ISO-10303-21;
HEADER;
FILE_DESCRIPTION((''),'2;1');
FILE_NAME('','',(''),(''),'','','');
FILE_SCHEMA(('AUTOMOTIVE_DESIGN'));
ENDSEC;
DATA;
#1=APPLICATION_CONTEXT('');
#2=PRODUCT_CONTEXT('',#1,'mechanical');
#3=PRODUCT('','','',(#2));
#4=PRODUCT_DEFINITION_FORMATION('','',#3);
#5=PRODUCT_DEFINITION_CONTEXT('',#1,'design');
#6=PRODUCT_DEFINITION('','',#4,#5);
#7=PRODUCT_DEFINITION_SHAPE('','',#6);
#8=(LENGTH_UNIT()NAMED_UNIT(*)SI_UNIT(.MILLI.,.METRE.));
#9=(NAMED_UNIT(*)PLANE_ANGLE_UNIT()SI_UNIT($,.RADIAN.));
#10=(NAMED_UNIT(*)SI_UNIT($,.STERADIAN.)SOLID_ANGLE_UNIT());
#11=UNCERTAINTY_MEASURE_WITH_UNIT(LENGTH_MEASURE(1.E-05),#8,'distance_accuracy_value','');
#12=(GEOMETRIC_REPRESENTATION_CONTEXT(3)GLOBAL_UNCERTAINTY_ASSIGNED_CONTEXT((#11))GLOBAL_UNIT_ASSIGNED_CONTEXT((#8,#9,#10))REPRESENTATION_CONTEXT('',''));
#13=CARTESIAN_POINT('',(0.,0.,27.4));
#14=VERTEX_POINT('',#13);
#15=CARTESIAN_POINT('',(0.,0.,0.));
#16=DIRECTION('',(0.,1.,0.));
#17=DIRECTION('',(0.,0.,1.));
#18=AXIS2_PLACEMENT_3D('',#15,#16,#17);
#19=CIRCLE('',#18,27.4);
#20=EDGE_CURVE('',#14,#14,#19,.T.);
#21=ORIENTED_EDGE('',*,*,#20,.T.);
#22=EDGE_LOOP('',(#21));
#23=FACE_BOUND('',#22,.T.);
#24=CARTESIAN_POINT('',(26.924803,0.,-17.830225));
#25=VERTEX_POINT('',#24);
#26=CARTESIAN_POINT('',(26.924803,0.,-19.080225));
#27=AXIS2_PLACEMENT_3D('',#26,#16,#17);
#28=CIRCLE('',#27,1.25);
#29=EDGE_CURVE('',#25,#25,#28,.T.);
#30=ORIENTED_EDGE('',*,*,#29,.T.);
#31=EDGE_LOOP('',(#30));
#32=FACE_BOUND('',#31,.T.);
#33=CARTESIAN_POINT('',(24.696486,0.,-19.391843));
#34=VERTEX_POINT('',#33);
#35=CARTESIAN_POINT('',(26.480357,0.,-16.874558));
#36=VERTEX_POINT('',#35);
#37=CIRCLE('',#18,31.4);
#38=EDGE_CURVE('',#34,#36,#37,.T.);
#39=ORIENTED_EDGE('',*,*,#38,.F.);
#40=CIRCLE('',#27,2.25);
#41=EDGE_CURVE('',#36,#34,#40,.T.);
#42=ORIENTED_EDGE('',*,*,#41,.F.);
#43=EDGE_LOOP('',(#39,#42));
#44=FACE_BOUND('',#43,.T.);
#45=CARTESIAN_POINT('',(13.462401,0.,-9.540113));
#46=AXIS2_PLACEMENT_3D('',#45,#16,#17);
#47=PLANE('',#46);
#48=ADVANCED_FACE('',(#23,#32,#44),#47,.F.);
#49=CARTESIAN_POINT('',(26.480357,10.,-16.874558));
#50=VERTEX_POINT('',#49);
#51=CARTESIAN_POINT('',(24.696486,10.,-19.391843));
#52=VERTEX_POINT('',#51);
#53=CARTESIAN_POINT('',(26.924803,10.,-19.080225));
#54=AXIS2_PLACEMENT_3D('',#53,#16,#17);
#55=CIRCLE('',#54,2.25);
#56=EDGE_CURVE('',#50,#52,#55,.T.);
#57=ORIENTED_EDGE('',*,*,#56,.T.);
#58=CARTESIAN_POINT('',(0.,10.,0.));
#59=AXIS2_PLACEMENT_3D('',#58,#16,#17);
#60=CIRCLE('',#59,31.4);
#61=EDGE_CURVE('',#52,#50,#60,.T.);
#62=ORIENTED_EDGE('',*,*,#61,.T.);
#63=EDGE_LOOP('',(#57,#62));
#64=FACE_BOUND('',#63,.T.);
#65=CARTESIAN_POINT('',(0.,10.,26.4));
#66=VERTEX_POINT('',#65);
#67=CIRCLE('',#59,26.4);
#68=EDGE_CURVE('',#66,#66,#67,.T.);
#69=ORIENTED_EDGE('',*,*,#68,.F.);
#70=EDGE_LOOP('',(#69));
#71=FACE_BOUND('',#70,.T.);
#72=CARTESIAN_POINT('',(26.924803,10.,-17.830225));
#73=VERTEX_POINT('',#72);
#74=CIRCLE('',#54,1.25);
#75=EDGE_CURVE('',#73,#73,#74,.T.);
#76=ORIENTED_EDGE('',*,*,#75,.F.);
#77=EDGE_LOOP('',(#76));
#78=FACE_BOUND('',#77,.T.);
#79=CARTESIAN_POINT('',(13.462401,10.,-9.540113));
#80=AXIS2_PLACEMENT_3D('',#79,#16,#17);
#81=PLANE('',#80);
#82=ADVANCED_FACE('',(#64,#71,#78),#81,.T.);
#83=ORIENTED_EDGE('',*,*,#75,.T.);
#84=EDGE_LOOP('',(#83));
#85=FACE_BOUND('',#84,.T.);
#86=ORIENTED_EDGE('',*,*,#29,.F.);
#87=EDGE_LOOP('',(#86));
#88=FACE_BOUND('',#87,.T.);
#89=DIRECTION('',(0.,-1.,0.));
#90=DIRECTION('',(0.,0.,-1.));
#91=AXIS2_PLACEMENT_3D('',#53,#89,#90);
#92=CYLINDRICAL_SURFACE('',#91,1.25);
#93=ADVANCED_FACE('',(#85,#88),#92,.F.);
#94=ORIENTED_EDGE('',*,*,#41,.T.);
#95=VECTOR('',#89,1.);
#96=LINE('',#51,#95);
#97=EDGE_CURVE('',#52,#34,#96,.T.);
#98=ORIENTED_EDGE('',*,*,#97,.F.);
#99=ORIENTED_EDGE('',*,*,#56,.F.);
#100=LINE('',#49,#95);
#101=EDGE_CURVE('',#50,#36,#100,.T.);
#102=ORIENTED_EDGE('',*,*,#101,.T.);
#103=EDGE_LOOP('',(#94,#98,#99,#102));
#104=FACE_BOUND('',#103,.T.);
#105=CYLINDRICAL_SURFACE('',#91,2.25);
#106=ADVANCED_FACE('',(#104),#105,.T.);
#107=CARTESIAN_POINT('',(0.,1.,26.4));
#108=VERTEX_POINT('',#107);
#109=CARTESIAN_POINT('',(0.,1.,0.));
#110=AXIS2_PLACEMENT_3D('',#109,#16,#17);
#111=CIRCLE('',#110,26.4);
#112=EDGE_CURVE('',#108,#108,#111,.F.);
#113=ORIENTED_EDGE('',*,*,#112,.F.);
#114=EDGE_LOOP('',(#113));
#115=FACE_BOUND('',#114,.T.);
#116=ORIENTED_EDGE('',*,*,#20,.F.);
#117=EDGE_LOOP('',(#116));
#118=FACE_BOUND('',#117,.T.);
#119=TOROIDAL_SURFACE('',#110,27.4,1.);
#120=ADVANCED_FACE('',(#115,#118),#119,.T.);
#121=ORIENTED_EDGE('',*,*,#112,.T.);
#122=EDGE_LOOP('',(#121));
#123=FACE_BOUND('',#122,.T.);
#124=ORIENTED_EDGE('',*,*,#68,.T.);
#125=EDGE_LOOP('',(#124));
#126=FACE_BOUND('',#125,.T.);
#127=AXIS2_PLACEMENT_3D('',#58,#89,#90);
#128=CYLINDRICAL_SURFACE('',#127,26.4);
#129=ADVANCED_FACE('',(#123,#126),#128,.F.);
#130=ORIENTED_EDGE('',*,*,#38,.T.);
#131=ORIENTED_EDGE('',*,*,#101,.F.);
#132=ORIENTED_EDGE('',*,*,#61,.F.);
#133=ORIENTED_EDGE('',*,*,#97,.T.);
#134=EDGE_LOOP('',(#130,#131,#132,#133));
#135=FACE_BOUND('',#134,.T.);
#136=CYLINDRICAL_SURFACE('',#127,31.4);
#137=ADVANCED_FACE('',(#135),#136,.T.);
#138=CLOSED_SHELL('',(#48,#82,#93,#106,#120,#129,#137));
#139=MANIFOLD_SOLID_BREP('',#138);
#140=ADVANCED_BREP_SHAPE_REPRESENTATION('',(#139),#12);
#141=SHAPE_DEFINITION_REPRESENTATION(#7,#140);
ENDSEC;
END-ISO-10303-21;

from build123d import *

# Parameters (mm, degrees)
SKETCH_1_R      = 26.4
SKETCH_1_R_2    = 1.25
EXTRUDE_1_DEPTH = 10
FILLET_1_R      = 1


with BuildPart() as part:
    # 草图1 → 凸台-拉伸1 (new body)
    with BuildSketch(Plane(origin=(0, 0, 0), x_dir=(1, 0, 0), z_dir=(0, 1, 0))):
        with BuildLine():
            ThreePointArc((24.696486218, 19.391842834), (-25.619357757, -18.155123468), (26.480356643, 16.87455813))
            ThreePointArc((26.480356643, 16.87455813), (28.760584743, 20.381149753), (24.696486218, 19.391842834))
        make_face()
        with Locations(Location((0, 0, 0), (0, 0, 270))):
            Circle(SKETCH_1_R, mode=Mode.SUBTRACT)
        with Locations(Location((26.924802738, 19.080225301, 0), (0, 0, 270))):
            Circle(SKETCH_1_R_2, mode=Mode.SUBTRACT)
    extrude(amount=EXTRUDE_1_DEPTH)

    # 圆角1
    fillet_1_edges = [part.edges().sort_by_distance(p)[0] for p in [
        (0, 0, -26.4),
    ]]
    fillet(fillet_1_edges, radius=FILLET_1_R)


solid = part.part
